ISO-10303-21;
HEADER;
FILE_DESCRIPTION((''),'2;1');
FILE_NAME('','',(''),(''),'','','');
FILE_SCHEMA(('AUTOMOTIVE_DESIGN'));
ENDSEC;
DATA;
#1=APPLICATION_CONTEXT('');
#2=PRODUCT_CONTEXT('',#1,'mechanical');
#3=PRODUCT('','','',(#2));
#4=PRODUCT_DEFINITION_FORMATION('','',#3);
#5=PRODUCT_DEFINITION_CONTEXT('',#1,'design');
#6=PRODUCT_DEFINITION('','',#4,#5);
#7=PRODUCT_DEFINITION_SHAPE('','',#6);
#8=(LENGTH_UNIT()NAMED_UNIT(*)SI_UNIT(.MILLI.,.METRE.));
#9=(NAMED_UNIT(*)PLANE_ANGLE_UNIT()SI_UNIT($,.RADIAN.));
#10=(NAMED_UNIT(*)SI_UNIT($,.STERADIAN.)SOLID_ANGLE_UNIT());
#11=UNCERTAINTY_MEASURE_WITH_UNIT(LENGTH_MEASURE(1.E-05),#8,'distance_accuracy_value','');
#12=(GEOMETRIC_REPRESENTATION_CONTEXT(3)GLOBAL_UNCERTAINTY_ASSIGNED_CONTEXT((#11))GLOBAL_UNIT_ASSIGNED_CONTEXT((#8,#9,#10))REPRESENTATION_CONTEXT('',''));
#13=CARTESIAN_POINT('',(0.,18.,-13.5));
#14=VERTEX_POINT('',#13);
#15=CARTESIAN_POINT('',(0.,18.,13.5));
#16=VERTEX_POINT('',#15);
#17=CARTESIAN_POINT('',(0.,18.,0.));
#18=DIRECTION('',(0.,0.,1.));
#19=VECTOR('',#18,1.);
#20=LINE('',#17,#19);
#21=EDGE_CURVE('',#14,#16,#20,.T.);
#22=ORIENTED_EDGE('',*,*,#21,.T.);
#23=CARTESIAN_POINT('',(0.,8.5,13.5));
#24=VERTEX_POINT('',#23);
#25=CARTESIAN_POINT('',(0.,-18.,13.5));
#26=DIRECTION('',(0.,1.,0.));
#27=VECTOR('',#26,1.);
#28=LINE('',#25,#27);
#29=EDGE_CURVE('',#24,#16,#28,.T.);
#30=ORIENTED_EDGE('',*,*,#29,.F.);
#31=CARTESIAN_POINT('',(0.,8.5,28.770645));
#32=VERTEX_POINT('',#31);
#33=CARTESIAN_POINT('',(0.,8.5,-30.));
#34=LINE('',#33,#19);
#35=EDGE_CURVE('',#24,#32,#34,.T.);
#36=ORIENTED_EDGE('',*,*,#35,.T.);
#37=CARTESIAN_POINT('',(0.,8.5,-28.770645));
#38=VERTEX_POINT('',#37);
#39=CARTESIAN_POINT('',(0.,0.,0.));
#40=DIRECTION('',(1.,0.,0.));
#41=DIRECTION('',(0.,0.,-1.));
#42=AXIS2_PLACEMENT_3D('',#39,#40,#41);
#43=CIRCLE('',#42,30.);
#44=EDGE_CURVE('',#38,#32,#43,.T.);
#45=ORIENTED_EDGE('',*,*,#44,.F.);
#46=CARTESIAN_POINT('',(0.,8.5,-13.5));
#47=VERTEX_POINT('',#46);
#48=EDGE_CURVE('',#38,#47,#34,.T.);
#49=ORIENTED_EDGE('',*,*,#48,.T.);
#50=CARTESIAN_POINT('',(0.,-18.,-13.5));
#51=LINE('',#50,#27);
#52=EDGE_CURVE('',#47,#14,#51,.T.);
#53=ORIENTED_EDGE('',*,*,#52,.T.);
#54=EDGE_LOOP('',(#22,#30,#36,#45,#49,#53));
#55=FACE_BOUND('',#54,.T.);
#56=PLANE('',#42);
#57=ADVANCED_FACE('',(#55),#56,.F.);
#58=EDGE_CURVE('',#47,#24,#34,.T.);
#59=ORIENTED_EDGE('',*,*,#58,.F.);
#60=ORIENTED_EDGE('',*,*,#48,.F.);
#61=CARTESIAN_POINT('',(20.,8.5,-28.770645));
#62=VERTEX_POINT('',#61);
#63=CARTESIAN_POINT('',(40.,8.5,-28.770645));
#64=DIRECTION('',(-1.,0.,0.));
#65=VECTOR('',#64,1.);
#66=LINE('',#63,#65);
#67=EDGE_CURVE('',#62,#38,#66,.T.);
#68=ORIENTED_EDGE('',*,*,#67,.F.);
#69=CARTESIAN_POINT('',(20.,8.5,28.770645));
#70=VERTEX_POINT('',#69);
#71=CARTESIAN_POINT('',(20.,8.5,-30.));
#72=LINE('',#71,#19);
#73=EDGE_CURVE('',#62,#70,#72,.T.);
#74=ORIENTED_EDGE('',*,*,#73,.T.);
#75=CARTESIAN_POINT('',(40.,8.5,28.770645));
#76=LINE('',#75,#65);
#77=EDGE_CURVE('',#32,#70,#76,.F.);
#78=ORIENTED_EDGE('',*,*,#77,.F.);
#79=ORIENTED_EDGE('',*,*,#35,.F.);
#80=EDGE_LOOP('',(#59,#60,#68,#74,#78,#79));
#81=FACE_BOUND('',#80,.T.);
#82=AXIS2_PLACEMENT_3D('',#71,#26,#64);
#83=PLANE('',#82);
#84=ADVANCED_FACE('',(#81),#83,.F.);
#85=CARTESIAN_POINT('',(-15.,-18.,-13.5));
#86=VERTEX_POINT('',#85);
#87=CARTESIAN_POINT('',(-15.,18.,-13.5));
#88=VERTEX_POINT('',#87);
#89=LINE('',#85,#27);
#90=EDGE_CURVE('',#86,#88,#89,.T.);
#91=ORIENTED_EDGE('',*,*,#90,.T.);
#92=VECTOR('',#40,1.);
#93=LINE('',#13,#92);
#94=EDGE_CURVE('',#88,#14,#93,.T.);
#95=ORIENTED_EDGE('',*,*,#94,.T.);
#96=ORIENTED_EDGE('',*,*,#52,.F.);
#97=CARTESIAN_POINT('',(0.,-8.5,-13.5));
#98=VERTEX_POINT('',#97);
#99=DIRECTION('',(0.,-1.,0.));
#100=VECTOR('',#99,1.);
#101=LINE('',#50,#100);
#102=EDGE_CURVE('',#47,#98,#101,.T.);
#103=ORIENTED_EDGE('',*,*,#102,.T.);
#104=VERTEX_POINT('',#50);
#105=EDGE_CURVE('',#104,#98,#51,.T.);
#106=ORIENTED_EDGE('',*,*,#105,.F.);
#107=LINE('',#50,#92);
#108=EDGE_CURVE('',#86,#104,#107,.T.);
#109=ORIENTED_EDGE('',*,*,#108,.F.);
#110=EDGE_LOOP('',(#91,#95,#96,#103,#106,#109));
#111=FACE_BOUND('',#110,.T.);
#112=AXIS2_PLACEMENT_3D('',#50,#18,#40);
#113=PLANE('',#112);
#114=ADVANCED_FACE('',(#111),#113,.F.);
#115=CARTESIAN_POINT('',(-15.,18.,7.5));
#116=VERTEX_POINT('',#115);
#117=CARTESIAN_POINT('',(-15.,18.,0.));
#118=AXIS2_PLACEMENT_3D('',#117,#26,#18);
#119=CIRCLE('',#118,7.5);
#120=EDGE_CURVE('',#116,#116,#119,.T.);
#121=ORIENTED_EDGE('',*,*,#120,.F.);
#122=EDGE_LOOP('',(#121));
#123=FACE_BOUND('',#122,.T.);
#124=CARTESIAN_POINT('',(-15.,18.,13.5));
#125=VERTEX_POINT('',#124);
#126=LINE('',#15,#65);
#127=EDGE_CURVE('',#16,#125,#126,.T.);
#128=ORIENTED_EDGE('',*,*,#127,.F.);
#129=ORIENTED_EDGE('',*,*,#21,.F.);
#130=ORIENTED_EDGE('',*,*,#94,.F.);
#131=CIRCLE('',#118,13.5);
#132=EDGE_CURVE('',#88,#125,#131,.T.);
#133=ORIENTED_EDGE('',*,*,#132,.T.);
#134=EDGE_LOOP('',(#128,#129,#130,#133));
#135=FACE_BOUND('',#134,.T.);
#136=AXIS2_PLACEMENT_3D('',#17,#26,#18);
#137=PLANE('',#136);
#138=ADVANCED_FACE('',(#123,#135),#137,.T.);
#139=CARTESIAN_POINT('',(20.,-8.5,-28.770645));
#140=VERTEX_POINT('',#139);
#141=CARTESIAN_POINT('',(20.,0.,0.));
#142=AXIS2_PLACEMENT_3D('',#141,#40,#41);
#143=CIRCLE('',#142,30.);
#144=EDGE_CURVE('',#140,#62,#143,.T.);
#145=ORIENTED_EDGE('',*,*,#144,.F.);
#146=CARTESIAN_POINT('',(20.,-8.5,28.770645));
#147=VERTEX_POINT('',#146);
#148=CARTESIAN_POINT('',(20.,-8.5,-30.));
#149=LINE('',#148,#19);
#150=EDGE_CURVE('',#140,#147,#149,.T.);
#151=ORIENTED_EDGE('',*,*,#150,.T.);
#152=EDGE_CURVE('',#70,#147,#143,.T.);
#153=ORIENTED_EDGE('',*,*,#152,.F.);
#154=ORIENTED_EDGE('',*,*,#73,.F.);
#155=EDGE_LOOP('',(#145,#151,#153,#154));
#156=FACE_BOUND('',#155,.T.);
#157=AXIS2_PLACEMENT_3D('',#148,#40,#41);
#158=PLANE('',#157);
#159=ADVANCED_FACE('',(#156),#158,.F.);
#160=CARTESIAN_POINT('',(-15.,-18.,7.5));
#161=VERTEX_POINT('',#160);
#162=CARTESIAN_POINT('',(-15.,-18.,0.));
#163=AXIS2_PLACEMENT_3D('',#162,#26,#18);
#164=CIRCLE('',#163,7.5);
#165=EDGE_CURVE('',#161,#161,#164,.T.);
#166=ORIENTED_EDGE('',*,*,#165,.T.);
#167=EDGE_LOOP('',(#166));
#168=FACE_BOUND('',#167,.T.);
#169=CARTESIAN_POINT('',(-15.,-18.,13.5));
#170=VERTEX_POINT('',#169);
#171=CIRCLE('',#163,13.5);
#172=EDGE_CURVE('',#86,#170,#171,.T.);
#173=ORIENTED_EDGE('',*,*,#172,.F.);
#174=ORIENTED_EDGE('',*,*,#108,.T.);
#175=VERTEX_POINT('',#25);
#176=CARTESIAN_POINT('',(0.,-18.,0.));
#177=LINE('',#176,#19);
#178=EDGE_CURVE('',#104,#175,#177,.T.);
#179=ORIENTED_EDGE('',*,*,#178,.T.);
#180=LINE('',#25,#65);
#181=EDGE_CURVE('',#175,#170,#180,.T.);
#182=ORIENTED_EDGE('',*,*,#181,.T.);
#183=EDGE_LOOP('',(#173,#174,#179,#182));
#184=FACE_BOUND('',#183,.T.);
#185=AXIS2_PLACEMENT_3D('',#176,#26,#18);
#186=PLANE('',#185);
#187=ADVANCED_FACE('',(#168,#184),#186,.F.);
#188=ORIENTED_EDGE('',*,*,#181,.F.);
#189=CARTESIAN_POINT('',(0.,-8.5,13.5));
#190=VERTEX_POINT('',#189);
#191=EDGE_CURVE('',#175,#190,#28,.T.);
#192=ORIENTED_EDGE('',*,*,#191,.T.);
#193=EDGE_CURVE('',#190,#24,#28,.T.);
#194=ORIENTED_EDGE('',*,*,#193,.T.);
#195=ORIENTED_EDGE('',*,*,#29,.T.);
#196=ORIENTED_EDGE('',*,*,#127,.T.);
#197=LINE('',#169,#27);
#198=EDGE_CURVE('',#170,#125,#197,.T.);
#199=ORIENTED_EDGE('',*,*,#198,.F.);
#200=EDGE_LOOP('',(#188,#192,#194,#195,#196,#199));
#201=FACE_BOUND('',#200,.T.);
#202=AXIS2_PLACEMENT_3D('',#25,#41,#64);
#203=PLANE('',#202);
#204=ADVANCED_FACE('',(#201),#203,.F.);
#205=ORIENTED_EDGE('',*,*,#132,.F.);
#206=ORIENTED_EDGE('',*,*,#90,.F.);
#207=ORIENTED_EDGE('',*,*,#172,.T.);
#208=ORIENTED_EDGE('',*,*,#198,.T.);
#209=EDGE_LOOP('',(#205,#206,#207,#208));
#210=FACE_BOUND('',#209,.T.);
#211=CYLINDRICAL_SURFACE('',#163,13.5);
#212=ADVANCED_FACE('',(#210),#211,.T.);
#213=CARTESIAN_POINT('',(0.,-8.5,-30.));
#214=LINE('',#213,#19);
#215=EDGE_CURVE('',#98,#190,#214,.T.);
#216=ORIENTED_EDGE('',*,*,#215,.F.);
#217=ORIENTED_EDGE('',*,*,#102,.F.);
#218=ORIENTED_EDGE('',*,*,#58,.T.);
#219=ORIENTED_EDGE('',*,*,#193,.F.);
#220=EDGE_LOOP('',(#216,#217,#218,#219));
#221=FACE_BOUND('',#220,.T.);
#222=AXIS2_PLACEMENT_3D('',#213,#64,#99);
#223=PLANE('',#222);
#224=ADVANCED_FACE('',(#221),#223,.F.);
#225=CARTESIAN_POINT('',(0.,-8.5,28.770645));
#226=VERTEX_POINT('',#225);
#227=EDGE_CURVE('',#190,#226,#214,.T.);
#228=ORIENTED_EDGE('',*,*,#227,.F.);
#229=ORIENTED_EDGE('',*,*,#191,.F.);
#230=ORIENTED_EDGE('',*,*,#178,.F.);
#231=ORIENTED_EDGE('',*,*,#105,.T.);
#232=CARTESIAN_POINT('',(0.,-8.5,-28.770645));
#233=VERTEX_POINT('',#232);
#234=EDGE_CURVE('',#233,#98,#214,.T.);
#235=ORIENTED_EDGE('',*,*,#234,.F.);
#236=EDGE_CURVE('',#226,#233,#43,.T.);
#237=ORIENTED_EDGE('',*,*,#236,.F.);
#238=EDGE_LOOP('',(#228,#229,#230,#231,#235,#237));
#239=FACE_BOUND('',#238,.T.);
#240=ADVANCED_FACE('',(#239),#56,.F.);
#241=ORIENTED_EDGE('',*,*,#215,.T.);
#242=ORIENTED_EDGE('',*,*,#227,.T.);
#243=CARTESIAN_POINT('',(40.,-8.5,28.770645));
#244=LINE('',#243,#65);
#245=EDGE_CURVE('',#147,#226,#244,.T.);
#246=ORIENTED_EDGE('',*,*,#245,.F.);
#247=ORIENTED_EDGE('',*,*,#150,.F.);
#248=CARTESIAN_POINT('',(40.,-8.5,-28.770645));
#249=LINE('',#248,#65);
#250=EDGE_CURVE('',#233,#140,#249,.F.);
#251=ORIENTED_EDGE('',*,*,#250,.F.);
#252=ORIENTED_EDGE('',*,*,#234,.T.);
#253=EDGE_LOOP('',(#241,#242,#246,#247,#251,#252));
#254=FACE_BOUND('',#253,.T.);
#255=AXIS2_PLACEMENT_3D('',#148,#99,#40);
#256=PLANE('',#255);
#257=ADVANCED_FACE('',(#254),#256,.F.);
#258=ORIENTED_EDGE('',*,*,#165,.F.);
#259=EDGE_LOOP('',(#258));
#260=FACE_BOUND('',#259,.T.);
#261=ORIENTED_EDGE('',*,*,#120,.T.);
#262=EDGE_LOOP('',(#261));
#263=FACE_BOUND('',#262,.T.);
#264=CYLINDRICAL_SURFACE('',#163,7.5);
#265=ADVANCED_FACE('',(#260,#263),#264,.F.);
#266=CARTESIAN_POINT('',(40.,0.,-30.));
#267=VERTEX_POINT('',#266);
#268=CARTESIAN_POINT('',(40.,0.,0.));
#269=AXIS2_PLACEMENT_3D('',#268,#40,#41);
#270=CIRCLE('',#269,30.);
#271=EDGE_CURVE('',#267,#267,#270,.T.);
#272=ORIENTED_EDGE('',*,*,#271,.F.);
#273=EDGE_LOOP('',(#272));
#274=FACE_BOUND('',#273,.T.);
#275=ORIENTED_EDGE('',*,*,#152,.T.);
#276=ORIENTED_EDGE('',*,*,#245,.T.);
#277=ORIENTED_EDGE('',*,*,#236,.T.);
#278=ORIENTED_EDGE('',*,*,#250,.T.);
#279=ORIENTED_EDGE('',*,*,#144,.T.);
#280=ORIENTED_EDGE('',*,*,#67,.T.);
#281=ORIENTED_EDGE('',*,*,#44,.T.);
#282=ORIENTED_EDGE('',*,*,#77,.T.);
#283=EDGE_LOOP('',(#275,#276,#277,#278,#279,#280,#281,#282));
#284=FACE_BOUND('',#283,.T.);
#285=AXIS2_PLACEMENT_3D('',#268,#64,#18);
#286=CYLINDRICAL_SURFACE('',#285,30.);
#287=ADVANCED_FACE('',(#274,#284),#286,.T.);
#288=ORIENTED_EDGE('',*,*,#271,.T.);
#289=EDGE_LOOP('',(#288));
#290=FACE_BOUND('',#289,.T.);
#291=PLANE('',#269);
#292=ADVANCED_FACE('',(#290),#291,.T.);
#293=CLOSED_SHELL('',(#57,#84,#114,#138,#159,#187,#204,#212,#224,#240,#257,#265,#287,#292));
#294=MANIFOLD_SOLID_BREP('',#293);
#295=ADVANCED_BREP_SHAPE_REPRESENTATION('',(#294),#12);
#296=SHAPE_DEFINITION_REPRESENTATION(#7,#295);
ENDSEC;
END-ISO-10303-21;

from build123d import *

# Parameters (mm, degrees)
SKETCH_1_R               = 30
EXTRUDE_1_DEPTH          = 40
EXTRUDE_2_DEPTH          = 18
EXTRUDE_2_DEPTH_BACK     = 18
SKETCH_2_R               = 7.5
CUT_EXTRUDE_1_DEPTH      = 59.309518948
CUT_EXTRUDE_1_DEPTH_BACK = 59.309518948
SKETCH_3_W               = 20
SKETCH_3_H               = 17


with BuildPart() as part:
    # Эскиз1 → Бобышка-Вытянуть1 (new body)
    with BuildSketch(Plane(origin=(0, 0, 0), x_dir=(0, 0, -1), z_dir=(1, 0, 0))):
        Circle(SKETCH_1_R)
    extrude(amount=EXTRUDE_1_DEPTH)

    # Эскиз2 → Бобышка-Вытянуть2 (add, two sides: drawn at the far end of the back side and taken through both)
    with BuildSketch(Plane(origin=(0, 0, 0), x_dir=(1, 0, 0), z_dir=(0, 1, 0)).offset(-EXTRUDE_2_DEPTH_BACK)):
        with BuildLine():
            Line((0, 13.5), (-15, 13.5))
            ThreePointArc((-15, 13.5), (-28.5, 0), (-15, -13.5))
            Line((-15, -13.5), (0, -13.5))
            Line((0, -13.5), (0, 13.5))
        make_face()
        with Locations((-15, 0)):
            Circle(SKETCH_2_R, mode=Mode.SUBTRACT)
    extrude(amount=EXTRUDE_2_DEPTH + EXTRUDE_2_DEPTH_BACK)

    # Эскиз3 → Вырез-Вытянуть1 (cut, two sides: drawn at the far end of the back side and taken through both)
    with BuildSketch(Plane.XY.offset(-CUT_EXTRUDE_1_DEPTH_BACK)):
        with Locations((10, 0)):
            Rectangle(SKETCH_3_W, SKETCH_3_H)
    extrude(amount=CUT_EXTRUDE_1_DEPTH + CUT_EXTRUDE_1_DEPTH_BACK, mode=Mode.SUBTRACT)


solid = part.part
